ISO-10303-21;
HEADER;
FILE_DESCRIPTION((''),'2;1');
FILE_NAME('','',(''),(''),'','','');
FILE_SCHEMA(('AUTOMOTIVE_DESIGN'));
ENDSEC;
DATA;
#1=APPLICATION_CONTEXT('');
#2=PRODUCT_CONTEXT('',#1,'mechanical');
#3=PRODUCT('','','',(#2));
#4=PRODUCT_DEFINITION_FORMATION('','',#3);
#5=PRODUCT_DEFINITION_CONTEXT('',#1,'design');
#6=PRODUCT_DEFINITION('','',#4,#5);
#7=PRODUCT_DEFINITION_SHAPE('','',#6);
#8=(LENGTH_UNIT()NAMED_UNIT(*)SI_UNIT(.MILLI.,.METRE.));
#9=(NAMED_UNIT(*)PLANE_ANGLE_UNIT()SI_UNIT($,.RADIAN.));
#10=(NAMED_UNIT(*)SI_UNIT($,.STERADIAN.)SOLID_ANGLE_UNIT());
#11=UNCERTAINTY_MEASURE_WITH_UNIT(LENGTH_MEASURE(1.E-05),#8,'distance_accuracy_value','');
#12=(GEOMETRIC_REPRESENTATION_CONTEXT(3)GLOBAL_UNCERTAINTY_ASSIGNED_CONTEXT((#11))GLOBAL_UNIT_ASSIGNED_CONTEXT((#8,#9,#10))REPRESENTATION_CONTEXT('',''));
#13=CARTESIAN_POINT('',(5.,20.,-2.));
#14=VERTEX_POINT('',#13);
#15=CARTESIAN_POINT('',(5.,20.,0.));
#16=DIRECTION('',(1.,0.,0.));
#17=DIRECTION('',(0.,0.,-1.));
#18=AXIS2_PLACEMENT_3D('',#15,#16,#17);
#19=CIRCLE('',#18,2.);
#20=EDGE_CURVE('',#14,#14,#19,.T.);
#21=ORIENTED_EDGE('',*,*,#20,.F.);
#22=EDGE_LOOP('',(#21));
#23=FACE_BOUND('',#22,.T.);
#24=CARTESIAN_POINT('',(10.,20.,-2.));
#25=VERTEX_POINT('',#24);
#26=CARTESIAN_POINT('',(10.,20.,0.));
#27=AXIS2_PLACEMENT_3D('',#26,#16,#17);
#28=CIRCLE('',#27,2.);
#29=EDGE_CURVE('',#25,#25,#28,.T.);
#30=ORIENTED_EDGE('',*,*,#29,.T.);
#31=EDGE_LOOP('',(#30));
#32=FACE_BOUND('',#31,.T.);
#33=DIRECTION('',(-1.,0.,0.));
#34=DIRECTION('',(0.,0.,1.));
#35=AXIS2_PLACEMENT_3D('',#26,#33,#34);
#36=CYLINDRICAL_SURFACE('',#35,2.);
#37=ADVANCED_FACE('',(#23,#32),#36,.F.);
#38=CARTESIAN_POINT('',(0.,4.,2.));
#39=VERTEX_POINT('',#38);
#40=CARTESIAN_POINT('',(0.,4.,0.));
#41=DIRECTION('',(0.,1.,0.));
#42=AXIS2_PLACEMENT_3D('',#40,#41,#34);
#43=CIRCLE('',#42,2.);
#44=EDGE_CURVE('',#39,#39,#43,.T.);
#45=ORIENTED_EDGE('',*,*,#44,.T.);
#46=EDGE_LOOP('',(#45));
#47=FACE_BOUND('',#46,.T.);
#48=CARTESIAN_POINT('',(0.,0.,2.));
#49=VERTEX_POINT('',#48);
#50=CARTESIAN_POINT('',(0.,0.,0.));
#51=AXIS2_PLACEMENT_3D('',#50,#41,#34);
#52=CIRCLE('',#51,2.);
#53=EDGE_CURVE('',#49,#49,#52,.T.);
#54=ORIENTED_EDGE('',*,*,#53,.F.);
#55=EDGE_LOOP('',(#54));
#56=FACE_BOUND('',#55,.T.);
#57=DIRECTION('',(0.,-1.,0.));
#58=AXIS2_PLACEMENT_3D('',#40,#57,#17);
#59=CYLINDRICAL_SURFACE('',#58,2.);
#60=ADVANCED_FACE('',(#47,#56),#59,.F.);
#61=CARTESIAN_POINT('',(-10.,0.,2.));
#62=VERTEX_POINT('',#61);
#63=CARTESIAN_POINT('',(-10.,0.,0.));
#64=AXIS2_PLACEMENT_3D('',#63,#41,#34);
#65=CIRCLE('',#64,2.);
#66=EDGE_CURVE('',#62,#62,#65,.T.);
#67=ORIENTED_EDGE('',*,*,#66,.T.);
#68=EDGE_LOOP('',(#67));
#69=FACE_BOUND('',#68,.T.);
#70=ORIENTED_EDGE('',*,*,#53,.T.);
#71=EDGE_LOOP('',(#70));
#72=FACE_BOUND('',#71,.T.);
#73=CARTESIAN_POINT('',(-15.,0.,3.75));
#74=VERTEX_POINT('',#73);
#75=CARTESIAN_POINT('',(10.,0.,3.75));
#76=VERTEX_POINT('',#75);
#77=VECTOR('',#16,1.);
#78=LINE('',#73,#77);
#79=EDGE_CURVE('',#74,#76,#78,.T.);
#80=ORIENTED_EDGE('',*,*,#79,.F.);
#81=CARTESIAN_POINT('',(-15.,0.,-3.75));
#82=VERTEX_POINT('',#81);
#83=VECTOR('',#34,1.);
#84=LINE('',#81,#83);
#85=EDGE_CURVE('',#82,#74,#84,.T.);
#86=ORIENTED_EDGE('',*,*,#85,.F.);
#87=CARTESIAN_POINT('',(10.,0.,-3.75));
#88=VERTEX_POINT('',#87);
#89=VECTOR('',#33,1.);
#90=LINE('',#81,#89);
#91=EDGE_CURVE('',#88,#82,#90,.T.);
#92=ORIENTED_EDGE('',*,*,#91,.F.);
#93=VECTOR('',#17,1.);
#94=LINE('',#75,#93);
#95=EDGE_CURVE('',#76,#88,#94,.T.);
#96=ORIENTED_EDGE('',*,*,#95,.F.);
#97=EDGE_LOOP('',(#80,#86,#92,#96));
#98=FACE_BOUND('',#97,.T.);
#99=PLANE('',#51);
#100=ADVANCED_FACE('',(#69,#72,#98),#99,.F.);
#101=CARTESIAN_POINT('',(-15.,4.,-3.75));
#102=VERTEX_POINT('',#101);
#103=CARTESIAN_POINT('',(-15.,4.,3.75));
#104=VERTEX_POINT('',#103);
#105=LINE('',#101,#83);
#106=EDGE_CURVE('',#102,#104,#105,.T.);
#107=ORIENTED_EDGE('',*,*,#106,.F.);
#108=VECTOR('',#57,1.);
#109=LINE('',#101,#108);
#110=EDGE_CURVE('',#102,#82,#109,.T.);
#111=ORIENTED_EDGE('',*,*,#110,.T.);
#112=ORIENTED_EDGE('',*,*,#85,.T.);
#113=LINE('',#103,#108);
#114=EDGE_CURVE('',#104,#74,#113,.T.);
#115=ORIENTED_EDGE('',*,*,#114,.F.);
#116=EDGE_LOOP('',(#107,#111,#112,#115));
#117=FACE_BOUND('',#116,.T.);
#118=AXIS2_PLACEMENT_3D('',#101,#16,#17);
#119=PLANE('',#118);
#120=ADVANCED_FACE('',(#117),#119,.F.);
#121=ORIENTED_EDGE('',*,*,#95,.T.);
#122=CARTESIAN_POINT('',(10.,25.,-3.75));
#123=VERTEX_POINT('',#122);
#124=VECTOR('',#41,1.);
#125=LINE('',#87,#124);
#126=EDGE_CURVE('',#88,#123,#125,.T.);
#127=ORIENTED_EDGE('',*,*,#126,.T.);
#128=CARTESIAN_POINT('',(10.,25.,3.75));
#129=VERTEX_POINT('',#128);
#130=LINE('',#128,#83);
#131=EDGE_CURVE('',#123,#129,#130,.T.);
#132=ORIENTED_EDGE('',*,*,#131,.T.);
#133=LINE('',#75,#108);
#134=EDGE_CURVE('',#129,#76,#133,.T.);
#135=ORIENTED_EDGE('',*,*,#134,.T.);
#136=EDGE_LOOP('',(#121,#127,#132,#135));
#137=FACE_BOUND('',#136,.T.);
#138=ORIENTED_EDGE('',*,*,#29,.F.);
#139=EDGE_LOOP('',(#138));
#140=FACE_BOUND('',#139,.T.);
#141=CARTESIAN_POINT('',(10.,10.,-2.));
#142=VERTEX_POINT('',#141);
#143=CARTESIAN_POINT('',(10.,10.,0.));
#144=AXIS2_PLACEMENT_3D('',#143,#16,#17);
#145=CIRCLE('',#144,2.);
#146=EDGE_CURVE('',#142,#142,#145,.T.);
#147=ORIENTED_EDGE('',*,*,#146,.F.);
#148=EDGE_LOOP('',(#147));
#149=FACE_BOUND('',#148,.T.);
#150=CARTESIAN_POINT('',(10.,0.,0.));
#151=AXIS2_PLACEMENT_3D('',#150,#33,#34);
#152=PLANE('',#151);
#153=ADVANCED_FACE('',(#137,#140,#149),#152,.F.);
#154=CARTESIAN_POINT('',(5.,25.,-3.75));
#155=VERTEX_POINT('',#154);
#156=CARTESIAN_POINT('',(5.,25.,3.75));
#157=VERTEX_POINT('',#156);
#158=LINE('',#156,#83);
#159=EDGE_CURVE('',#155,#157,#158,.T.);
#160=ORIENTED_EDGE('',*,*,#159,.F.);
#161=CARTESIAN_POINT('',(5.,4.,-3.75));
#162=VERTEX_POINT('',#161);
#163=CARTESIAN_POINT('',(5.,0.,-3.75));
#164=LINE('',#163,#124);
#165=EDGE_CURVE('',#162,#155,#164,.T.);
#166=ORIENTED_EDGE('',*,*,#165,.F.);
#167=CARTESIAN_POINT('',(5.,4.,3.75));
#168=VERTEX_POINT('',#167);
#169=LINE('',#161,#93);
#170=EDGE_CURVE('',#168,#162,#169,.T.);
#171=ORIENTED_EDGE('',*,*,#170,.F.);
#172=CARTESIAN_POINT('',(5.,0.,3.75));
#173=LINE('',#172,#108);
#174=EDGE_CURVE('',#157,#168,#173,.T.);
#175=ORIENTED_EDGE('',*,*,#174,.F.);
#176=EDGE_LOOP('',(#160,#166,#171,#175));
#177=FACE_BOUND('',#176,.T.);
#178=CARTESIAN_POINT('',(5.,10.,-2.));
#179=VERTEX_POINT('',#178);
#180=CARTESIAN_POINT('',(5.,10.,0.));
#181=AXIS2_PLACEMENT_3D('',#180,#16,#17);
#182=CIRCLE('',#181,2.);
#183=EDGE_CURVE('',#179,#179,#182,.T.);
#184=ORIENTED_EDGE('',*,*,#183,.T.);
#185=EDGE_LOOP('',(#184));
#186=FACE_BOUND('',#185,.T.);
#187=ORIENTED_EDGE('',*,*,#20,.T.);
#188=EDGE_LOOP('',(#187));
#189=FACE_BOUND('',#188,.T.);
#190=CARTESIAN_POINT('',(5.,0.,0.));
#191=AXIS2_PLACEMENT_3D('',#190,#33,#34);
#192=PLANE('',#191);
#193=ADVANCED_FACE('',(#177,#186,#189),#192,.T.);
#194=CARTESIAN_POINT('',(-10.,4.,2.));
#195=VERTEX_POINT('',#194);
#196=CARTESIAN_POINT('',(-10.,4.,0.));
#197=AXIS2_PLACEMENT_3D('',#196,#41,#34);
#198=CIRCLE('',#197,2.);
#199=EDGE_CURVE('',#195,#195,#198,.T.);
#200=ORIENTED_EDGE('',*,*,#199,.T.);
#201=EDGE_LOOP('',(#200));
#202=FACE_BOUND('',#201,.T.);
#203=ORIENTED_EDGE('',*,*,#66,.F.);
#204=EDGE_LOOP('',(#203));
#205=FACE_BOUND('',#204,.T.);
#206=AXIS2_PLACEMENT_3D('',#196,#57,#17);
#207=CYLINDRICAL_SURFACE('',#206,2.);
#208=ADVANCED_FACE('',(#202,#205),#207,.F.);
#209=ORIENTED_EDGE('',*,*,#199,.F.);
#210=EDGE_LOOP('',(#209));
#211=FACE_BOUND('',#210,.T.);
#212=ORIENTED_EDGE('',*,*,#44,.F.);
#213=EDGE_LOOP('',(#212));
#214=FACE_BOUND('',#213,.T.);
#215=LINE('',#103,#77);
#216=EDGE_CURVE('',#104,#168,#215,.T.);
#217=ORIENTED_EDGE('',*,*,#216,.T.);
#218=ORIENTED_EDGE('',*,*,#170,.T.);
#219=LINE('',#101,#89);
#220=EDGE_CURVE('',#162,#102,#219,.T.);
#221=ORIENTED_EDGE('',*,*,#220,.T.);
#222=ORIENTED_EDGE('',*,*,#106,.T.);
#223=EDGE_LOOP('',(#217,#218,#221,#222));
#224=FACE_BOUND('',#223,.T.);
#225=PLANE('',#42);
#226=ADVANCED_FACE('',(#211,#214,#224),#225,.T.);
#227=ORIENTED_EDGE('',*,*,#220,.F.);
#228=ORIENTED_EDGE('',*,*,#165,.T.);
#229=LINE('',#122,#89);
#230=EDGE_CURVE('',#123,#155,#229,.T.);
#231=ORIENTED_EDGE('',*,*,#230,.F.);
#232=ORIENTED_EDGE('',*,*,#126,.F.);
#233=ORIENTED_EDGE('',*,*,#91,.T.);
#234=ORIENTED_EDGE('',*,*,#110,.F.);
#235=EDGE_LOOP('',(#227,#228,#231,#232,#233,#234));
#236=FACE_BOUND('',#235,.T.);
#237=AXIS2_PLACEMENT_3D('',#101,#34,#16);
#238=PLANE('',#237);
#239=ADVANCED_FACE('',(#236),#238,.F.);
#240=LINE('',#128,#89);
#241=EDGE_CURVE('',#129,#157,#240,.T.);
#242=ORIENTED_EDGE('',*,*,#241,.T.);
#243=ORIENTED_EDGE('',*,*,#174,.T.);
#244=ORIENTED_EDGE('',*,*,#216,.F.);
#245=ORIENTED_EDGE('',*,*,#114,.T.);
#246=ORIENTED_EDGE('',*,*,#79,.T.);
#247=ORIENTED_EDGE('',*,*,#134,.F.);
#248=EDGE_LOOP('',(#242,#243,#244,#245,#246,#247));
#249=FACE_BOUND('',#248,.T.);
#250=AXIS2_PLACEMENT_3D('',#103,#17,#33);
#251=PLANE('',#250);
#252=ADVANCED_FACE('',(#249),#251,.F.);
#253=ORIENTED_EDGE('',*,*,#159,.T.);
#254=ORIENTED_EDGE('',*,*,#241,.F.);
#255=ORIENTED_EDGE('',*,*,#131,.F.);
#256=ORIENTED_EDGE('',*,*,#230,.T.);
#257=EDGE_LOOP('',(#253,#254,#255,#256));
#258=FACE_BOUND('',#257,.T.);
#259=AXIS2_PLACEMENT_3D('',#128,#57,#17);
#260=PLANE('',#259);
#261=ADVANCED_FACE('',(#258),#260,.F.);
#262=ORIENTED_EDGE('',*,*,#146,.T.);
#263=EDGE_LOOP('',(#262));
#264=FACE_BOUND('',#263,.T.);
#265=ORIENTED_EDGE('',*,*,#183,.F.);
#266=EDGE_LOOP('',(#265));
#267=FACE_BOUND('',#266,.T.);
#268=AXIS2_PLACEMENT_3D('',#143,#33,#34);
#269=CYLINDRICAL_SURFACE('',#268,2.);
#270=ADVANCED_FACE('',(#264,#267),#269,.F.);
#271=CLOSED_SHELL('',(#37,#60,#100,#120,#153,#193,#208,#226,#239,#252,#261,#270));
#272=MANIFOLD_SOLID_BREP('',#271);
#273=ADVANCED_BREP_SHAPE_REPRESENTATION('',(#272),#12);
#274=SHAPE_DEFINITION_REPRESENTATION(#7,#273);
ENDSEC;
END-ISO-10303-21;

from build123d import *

# Parameters (mm, degrees)
SKETCH1_W           = 20
SKETCH1_H           = 7.5
SKETCH1_R           = 2
BOSS_EXTRUDE1_DEPTH = 4
SKETCH2_W           = 7.5
SKETCH2_H           = 25
SKETCH2_R           = 2
BOSS_EXTRUDE2_DEPTH = 5


with BuildPart() as part:
    # Sketch1 → Boss-Extrude1 (new body)
    with BuildSketch(Plane(origin=(0, 0, 0), x_dir=(1, 0, 0), z_dir=(0, 1, 0))):
        with Locations((-5, 0)):
            Rectangle(SKETCH1_W, SKETCH1_H)
        with Locations(Location((0, 0, 0), (0, 0, 270))):
            Circle(SKETCH1_R, mode=Mode.SUBTRACT)
        with Locations(Location((-10, 0, 0), (0, 0, 270))):
            Circle(SKETCH1_R, mode=Mode.SUBTRACT)
    extrude(amount=BOSS_EXTRUDE1_DEPTH)

    # Sketch2 → Boss-Extrude2 (add)
    with BuildSketch(Plane(origin=(5, 0, 0), x_dir=(0, 0, -1), z_dir=(1, 0, 0))):
        with Locations((0, 12.5)):
            Rectangle(SKETCH2_W, SKETCH2_H)
        with Locations((0, 20)):
            Circle(SKETCH2_R, mode=Mode.SUBTRACT)
        with Locations((0, 10)):
            Circle(SKETCH2_R, mode=Mode.SUBTRACT)
    extrude(amount=BOSS_EXTRUDE2_DEPTH)


solid = part.part
